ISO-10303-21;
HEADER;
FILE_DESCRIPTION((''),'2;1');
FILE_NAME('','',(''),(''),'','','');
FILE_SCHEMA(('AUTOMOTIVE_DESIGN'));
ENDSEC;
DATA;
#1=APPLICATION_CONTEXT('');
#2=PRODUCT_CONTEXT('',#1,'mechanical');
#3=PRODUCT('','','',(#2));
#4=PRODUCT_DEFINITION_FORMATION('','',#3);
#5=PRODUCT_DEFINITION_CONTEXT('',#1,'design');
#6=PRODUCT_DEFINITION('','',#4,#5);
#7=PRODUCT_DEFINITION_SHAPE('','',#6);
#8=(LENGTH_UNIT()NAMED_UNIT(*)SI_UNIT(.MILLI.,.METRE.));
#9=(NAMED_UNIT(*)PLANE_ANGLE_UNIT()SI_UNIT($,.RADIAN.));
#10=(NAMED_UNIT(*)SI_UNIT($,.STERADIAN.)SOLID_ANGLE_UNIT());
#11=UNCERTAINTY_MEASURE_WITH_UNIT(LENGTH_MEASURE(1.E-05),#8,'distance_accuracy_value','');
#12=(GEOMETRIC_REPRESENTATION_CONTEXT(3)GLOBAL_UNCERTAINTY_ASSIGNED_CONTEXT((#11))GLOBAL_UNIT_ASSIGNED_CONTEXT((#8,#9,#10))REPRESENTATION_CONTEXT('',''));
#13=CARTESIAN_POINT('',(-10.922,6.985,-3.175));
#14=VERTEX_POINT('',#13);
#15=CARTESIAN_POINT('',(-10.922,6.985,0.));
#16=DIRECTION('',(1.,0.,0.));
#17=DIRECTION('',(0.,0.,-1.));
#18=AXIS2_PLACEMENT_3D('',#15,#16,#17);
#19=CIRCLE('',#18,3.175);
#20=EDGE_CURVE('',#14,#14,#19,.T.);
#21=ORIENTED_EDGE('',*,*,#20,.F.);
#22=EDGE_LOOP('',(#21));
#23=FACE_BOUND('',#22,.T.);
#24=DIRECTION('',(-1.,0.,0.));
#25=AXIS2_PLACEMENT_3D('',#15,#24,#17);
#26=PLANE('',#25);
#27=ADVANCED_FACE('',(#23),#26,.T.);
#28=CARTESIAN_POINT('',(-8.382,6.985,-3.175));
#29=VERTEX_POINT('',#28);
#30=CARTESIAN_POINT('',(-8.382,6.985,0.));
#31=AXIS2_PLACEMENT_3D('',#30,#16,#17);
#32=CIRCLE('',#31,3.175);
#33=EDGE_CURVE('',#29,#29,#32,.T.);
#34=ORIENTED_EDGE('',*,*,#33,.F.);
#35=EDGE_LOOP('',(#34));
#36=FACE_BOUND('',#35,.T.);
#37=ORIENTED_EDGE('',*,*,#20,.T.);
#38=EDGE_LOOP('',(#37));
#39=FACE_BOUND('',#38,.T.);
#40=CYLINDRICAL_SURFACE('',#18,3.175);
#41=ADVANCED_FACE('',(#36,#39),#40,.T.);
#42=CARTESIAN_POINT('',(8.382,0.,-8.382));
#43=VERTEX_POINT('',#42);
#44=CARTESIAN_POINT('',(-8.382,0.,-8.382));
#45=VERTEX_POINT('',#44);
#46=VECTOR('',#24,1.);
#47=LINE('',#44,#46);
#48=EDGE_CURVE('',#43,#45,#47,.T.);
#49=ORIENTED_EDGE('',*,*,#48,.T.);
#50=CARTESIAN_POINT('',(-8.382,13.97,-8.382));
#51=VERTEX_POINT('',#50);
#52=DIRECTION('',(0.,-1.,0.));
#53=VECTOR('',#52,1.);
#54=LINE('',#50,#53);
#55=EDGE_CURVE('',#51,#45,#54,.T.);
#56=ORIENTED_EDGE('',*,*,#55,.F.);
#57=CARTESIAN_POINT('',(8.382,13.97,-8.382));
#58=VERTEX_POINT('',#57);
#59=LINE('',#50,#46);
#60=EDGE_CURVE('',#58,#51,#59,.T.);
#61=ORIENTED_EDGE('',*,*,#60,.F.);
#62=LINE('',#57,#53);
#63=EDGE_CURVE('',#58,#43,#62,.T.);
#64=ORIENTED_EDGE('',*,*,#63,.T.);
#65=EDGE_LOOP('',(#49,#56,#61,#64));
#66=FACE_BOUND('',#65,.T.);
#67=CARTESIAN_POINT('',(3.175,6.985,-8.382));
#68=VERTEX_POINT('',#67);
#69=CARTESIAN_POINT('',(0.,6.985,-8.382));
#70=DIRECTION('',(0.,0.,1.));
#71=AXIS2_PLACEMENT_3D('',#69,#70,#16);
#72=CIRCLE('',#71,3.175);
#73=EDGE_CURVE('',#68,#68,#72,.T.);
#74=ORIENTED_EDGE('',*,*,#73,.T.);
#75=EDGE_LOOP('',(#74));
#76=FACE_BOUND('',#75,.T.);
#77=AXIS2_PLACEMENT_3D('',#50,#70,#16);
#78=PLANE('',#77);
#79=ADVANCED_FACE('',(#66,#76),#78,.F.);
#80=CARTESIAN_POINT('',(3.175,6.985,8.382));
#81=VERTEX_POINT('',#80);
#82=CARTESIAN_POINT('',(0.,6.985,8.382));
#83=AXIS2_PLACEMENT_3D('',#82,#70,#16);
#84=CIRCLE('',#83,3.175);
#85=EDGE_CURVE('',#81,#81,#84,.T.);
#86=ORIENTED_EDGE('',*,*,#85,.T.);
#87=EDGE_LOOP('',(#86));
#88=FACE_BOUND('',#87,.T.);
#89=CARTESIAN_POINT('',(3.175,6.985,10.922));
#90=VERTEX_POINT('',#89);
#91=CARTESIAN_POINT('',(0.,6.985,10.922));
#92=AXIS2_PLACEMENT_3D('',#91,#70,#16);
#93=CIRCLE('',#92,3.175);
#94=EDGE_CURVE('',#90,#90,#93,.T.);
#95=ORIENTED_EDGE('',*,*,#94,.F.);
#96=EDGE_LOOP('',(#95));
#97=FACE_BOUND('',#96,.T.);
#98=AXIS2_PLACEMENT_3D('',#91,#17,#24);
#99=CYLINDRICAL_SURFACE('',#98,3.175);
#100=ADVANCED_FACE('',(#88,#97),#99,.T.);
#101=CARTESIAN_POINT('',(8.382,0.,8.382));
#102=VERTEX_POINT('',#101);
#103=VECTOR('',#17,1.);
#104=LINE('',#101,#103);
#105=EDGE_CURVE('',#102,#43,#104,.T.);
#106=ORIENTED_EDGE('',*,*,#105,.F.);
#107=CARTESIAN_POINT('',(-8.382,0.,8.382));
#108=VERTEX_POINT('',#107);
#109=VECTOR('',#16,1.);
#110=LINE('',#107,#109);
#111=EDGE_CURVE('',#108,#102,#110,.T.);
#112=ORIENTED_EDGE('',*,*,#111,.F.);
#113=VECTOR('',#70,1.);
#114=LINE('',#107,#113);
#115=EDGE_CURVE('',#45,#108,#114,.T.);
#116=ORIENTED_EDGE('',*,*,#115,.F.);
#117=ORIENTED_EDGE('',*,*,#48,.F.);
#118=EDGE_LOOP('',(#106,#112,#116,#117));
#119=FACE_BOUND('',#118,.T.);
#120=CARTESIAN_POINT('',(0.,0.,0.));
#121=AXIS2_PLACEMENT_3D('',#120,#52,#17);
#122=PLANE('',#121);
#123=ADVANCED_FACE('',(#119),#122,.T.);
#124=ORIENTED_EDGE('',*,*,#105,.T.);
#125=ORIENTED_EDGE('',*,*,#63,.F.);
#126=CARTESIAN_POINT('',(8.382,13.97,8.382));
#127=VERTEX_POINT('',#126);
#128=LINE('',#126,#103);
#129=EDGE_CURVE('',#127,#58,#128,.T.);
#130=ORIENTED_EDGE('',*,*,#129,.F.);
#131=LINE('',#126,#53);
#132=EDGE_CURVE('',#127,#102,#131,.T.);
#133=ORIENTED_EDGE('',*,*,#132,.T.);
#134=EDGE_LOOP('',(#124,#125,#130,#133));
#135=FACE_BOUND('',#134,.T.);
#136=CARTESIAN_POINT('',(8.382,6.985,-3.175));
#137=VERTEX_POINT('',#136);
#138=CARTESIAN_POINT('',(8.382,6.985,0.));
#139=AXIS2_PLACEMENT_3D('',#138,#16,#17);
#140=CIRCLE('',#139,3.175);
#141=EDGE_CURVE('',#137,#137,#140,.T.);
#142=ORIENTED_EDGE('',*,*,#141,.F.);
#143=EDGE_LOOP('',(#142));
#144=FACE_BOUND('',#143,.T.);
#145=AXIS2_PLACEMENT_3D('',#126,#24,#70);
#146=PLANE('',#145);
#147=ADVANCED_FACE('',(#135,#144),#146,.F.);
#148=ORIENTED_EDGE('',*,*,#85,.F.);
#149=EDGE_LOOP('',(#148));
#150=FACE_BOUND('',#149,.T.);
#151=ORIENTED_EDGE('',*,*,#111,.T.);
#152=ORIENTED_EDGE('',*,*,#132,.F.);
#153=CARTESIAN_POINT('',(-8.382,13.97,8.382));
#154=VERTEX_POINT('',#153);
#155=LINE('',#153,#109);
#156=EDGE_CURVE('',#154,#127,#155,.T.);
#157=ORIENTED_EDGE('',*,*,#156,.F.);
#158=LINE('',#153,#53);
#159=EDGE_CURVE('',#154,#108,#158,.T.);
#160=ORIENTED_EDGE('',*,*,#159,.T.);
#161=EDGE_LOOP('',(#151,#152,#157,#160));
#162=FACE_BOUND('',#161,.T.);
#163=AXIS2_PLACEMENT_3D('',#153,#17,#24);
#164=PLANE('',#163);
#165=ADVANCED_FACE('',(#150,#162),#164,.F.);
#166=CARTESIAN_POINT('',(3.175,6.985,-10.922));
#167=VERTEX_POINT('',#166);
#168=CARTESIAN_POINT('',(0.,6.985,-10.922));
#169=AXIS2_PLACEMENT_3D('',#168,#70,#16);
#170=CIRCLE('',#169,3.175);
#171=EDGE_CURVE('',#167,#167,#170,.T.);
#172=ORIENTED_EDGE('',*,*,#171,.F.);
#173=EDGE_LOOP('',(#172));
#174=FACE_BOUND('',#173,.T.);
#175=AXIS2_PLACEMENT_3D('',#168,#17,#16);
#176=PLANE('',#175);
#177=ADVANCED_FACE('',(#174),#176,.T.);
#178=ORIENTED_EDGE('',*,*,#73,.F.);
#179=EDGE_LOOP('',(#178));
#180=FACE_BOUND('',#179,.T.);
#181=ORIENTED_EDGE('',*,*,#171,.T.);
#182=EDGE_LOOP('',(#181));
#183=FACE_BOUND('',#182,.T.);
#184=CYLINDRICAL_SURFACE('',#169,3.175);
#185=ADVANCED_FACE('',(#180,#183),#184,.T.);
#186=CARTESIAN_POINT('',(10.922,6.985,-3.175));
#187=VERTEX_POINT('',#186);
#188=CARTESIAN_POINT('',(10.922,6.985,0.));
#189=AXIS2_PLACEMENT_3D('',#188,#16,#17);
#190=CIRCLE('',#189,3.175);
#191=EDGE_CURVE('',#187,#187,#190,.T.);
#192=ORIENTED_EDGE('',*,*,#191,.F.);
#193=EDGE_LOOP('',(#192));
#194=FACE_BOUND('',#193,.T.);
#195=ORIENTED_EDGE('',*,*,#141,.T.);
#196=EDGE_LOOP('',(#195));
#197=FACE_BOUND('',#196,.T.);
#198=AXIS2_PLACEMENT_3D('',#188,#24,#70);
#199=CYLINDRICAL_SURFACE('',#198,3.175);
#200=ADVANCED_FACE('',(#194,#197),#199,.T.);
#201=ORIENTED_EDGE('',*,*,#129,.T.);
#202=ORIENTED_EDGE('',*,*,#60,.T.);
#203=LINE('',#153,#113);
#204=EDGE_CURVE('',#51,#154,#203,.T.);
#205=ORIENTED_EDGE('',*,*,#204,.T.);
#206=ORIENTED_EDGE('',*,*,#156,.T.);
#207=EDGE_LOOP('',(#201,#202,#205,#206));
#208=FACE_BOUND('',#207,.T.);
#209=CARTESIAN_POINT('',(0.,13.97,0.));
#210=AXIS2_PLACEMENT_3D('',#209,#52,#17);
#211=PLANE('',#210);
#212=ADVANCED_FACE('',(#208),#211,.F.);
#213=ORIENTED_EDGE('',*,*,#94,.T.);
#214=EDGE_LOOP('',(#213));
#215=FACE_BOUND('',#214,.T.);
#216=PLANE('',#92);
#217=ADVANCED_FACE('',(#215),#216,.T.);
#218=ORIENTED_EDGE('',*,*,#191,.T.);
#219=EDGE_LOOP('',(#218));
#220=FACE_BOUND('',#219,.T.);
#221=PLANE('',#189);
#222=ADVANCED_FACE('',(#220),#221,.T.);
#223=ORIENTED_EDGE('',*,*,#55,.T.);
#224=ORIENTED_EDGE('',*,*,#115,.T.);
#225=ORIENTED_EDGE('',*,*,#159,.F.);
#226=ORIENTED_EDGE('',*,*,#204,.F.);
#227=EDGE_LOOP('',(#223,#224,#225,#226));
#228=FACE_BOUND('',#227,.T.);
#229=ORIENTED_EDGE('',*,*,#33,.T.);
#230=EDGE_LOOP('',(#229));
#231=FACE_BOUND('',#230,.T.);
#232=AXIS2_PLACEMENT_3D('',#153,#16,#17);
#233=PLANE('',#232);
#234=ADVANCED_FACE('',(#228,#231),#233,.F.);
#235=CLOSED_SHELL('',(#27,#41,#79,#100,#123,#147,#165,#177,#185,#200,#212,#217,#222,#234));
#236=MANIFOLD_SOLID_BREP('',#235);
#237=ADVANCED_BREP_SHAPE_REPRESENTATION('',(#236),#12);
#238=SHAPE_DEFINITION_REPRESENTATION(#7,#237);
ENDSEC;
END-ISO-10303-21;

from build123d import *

# Parameters (mm, degrees)
SKETCH1_W           = 16.764
SKETCH1_H           = 16.764
BOSS_EXTRUDE1_DEPTH = 13.97
SKETCH2_R           = 3.175
BOSS_EXTRUDE2_DEPTH = 2.54
SKETCH3_R           = 3.175
BOSS_EXTRUDE3_DEPTH = 2.54


with BuildPart() as part:
    # Sketch1 → Boss-Extrude1 (new body)
    with BuildSketch(Plane(origin=(0, 0, 0), x_dir=(1, 0, 0), z_dir=(0, 1, 0))):
        Rectangle(SKETCH1_W, SKETCH1_H)
    extrude(amount=BOSS_EXTRUDE1_DEPTH)

    # Sketch2 → Boss-Extrude2 (add)
    with BuildSketch(Plane.XY.offset(8.382)):
        with Locations((0, 6.985)):
            Circle(SKETCH2_R)
    boss_extrude2 = extrude(amount=BOSS_EXTRUDE2_DEPTH)

    # Mirror1: Boss-Extrude2 across plane
    add(boss_extrude2.mirror(Plane.XY))

    # Sketch3 → Boss-Extrude3 (add)
    with BuildSketch(Plane(origin=(8.382, 0, 0), x_dir=(0, 0, -1), z_dir=(1, 0, 0))):
        with Locations((0, 6.985)):
            Circle(SKETCH3_R)
    boss_extrude3 = extrude(amount=BOSS_EXTRUDE3_DEPTH)

    # Mirror2: Boss-Extrude3 across plane
    add(boss_extrude3.mirror(Plane(origin=(0, 0, 0), x_dir=(0, 0, 1), z_dir=(1, 0, 0))))


solid = part.part
